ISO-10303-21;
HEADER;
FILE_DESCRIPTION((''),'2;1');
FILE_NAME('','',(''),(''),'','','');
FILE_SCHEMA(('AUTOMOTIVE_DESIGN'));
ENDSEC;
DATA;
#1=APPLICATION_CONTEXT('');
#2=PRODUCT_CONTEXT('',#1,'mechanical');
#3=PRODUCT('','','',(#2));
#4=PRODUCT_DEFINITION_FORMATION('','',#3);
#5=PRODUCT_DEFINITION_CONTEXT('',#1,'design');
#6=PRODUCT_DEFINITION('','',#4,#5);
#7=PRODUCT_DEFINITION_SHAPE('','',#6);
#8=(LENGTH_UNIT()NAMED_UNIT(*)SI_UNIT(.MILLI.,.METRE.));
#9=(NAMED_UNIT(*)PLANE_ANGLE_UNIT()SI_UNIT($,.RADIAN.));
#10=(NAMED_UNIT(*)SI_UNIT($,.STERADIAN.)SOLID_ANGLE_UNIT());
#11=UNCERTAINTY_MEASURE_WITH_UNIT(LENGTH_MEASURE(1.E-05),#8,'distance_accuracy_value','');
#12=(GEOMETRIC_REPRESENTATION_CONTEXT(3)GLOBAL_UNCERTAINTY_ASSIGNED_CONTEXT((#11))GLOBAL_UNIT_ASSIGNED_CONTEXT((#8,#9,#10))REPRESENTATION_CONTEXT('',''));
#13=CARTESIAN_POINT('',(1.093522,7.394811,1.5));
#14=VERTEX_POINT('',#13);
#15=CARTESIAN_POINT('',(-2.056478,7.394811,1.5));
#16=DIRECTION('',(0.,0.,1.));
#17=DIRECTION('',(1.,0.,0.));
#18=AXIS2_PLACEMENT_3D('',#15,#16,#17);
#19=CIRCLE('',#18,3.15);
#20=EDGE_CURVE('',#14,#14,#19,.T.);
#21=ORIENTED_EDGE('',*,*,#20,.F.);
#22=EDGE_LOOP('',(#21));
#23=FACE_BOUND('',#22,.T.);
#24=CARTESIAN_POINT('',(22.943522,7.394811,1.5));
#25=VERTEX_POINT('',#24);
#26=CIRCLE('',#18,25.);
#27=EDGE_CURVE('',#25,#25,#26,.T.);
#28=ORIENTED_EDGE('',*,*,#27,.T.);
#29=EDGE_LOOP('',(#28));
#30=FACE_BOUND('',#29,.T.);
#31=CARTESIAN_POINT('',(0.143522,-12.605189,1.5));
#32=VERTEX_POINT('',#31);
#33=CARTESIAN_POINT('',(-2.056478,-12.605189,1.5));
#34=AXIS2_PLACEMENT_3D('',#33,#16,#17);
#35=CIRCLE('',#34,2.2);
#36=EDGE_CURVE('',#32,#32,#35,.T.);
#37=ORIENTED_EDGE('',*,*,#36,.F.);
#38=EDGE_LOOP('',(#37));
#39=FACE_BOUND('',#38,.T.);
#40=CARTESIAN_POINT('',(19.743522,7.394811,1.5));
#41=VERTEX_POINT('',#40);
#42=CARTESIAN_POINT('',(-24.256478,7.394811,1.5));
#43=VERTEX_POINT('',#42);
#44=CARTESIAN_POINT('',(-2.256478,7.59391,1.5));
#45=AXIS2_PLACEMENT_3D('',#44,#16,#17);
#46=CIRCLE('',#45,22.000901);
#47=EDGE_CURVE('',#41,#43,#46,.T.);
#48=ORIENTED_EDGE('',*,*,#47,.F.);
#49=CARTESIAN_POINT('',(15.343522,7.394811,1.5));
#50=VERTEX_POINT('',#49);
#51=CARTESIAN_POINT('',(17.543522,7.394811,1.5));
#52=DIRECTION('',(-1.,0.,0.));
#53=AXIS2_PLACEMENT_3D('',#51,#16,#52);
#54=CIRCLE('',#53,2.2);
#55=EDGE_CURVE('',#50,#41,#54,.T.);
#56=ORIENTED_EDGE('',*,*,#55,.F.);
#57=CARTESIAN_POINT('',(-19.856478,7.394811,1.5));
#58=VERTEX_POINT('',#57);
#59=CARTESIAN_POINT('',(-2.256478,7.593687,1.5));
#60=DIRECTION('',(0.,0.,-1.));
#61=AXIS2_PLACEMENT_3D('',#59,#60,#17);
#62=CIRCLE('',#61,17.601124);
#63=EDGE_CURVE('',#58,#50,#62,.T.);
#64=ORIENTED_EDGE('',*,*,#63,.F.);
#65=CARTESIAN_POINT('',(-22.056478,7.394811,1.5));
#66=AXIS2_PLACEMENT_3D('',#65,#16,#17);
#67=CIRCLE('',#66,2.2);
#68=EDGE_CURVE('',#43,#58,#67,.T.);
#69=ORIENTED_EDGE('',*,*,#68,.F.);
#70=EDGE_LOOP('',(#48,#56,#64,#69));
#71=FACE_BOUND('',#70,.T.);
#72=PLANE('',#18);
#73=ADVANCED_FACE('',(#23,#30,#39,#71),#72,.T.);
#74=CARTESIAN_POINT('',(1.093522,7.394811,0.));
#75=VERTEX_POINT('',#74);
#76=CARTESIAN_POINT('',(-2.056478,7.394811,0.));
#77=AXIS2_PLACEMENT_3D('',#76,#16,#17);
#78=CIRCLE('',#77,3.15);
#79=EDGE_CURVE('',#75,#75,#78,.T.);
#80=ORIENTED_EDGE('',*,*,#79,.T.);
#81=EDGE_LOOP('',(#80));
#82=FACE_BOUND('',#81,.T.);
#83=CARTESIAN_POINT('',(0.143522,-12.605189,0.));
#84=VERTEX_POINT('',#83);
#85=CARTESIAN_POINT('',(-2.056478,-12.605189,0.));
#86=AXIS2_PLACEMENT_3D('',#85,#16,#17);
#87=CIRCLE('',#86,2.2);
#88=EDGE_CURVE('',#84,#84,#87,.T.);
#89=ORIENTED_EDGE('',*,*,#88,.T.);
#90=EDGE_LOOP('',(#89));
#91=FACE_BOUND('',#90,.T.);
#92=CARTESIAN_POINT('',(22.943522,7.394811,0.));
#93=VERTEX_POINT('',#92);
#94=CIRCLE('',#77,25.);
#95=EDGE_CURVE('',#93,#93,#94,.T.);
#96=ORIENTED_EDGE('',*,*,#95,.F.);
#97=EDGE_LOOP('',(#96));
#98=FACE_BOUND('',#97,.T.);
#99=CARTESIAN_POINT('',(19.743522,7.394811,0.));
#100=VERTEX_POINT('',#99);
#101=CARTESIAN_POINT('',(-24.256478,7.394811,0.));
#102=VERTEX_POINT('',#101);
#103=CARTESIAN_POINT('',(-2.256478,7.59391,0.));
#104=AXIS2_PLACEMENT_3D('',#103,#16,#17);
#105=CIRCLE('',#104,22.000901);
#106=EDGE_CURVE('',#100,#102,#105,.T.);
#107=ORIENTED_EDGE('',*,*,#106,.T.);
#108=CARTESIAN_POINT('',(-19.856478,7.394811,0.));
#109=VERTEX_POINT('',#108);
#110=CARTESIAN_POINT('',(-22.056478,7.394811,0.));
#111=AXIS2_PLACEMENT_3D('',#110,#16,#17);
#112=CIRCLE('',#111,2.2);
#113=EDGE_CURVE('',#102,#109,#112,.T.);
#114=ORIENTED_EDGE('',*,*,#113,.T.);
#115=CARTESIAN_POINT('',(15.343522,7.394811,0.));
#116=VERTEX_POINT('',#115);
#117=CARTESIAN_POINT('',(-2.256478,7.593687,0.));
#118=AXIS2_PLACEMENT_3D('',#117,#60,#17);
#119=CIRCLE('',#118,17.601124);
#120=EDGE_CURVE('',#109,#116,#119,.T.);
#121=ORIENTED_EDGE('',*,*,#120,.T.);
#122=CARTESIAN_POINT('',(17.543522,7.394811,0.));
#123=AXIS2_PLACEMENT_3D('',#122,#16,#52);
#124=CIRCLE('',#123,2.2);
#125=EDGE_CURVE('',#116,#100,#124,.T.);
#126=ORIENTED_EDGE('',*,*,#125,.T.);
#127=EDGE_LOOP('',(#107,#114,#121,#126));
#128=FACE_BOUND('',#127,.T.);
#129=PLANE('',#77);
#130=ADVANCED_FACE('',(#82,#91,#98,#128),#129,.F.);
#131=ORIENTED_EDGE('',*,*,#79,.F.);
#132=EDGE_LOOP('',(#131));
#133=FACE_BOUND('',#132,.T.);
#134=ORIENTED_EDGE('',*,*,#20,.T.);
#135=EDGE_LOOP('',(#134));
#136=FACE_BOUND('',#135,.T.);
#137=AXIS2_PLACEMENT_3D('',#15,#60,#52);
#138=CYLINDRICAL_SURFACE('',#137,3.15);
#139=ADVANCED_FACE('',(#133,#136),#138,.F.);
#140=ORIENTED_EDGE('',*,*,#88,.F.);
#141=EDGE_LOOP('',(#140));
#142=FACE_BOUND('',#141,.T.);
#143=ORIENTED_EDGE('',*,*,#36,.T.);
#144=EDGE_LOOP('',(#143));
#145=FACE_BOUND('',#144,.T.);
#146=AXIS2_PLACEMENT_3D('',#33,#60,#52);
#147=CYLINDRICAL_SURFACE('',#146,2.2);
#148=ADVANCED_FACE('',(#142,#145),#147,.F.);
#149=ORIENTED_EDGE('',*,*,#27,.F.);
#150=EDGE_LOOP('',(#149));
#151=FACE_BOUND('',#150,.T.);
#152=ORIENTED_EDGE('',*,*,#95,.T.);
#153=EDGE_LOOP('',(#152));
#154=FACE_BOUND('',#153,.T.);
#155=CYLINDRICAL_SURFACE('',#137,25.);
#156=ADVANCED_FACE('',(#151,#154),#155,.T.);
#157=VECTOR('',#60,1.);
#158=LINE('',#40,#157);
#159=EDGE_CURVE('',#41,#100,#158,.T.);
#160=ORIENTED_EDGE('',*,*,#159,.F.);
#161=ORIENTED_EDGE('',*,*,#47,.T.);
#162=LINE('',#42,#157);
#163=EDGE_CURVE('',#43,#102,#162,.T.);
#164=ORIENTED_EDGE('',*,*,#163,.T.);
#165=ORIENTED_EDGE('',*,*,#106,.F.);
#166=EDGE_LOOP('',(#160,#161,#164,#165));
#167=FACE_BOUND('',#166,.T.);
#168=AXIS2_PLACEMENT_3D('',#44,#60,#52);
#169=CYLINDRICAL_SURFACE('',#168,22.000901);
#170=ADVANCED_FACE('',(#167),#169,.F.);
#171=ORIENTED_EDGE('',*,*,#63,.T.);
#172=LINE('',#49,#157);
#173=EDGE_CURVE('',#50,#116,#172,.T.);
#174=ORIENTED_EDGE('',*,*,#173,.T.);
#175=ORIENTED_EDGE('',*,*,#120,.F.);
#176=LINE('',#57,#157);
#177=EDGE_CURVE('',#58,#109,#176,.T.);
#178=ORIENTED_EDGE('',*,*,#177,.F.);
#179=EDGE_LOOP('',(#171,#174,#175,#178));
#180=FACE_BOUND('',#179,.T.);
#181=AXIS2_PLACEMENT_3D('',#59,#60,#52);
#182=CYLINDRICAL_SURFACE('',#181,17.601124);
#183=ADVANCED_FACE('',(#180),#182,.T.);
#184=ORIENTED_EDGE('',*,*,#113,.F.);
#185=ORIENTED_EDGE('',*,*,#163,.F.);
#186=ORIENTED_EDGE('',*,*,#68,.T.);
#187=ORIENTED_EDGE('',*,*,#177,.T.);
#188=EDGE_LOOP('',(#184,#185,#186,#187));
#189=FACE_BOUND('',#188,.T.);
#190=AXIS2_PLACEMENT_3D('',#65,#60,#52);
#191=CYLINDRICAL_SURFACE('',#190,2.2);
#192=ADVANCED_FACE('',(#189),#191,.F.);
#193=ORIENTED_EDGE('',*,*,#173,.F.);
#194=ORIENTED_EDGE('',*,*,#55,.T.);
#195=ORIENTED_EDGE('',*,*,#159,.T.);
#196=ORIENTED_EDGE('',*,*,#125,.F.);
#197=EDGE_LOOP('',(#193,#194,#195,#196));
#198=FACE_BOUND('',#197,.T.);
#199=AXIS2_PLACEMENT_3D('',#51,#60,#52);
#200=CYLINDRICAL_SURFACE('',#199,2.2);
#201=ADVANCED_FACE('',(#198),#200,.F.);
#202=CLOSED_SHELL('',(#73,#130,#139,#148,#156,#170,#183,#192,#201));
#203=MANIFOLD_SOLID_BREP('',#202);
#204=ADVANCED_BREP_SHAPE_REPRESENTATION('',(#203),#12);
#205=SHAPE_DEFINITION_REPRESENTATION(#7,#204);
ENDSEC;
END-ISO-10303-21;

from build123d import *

# Parameters (mm, degrees)
SKETCH1_R           = 25
SKETCH1_R_2         = 2.2
SKETCH1_R_3         = 3.15
BOSS_EXTRUDE1_DEPTH = 1.5


with BuildPart() as part:
    # Sketch1 → Boss-Extrude1 (new body)
    with BuildSketch(Plane.XY):
        with Locations((-2.056478496, 7.394811009)):
            Circle(SKETCH1_R)
        with Locations((-2.056478496, -12.605188991)):
            Circle(SKETCH1_R_2, mode=Mode.SUBTRACT)
        with Locations((-2.056478496, 7.394811009)):
            Circle(SKETCH1_R_3, mode=Mode.SUBTRACT)
        with BuildLine():
            ThreePointArc((19.743521504, 7.394811009), (-2.256478496, 29.594811009), (-24.256478496, 7.394811009))
            ThreePointArc((-24.256478496, 7.394811009), (-22.056478496, 5.194811009), (-19.856478496, 7.394811009))
            ThreePointArc((-19.856478496, 7.394811009), (-2.256478496, 25.194811009), (15.343521504, 7.394811009))
            ThreePointArc((15.343521504, 7.394811009), (17.543521504, 5.194811009), (19.743521504, 7.394811009))
        make_face(mode=Mode.SUBTRACT)
    extrude(amount=BOSS_EXTRUDE1_DEPTH)


solid = part.part
